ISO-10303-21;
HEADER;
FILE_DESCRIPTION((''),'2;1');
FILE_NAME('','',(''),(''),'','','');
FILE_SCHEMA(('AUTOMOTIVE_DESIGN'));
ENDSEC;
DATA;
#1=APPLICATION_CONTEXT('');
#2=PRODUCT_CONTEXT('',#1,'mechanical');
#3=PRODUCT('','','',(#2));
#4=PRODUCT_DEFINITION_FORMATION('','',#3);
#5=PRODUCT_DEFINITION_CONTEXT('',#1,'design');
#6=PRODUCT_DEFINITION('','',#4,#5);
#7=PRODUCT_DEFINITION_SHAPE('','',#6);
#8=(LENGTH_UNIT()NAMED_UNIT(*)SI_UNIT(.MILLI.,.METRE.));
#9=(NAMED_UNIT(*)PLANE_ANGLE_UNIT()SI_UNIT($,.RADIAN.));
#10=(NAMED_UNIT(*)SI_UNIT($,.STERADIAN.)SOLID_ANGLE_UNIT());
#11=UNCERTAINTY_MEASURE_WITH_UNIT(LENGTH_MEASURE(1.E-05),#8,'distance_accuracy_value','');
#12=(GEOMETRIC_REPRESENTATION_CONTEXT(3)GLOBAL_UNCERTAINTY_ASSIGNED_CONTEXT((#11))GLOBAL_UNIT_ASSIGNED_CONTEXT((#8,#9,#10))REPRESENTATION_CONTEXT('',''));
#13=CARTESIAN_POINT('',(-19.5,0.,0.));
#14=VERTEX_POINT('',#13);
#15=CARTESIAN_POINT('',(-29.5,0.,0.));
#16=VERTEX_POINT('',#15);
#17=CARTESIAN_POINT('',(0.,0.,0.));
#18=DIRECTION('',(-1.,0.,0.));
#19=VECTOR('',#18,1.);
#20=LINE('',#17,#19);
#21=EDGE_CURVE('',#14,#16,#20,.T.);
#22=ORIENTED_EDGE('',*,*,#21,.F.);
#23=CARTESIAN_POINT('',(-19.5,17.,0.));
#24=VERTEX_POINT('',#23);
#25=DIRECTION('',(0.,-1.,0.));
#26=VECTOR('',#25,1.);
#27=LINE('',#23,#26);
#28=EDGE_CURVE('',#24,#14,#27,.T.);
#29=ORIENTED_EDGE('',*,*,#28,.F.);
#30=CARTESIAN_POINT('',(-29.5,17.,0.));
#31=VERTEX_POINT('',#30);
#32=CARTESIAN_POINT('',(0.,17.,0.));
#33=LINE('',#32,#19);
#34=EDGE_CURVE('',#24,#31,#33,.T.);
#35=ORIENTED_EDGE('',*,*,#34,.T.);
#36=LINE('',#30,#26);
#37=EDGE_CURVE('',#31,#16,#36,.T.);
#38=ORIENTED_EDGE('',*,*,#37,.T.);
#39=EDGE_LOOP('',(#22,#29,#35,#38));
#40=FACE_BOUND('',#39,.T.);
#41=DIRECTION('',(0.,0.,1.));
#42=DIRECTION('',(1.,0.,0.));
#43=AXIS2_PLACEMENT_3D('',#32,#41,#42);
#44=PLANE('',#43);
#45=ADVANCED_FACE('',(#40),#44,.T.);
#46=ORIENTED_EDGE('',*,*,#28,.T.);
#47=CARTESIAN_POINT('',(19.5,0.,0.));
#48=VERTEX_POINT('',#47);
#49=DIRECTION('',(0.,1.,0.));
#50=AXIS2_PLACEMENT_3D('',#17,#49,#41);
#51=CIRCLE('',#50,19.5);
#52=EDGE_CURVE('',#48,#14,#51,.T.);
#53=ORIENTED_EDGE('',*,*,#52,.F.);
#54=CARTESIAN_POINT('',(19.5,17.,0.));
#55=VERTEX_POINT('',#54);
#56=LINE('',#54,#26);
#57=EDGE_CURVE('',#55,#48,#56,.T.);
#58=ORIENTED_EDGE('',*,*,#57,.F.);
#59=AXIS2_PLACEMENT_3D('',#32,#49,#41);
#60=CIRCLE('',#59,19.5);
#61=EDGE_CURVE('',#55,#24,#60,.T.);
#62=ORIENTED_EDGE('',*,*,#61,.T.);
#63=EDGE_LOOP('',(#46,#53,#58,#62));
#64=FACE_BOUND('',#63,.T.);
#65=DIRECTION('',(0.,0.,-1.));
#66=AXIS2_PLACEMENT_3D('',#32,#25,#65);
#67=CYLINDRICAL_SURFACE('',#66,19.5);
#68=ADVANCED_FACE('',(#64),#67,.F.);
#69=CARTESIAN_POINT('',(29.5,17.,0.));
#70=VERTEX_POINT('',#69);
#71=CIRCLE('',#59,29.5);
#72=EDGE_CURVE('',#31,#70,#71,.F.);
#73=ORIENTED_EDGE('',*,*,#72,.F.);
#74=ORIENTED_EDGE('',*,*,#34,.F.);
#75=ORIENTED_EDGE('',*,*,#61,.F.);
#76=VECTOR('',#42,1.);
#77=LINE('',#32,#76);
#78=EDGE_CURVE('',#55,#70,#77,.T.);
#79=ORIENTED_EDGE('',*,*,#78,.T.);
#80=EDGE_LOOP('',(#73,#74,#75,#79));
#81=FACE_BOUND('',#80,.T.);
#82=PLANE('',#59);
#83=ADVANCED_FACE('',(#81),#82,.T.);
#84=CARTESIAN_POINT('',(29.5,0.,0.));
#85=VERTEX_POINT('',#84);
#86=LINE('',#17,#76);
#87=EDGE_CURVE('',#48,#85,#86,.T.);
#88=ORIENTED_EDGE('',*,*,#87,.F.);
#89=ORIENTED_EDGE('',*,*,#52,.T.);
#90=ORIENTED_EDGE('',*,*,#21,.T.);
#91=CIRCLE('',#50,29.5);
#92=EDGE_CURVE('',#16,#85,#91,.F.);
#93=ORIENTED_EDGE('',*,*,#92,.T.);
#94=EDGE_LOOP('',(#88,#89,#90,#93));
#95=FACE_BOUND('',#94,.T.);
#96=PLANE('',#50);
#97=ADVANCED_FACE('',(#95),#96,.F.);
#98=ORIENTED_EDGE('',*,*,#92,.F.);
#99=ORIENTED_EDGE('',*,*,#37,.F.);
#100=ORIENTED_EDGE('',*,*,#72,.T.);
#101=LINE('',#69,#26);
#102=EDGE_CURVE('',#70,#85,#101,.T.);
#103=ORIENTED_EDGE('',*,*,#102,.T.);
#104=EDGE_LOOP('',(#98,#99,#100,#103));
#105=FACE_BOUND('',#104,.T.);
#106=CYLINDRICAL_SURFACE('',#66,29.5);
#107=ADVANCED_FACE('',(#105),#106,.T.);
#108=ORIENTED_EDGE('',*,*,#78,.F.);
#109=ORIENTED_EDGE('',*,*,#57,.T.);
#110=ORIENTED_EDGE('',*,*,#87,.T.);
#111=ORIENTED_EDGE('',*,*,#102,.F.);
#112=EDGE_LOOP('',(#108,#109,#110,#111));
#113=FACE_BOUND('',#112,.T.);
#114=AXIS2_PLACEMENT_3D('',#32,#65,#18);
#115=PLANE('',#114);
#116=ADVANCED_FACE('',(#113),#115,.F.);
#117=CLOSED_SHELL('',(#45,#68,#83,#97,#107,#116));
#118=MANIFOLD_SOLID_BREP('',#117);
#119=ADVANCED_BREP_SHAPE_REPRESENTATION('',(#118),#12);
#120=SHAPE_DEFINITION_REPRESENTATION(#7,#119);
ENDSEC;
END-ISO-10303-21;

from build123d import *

# Parameters (mm, degrees)
BOSS_EXTRUDE1_DEPTH = 17


with BuildPart() as part:
    # Sketch2 → Boss-Extrude1 (new body)
    with BuildSketch(Plane(origin=(0, 0, 0), x_dir=(1, 0, 0), z_dir=(0, 1, 0))):
        with BuildLine():
            ThreePointArc((-29.5, 0), (0, 29.5), (29.5, 0))
            Line((29.5, 0), (19.5, 0))
            ThreePointArc((19.5, 0), (0, 19.5), (-19.5, 0))
            Line((-19.5, 0), (-29.5, 0))
        make_face()
    extrude(amount=BOSS_EXTRUDE1_DEPTH)


solid = part.part
